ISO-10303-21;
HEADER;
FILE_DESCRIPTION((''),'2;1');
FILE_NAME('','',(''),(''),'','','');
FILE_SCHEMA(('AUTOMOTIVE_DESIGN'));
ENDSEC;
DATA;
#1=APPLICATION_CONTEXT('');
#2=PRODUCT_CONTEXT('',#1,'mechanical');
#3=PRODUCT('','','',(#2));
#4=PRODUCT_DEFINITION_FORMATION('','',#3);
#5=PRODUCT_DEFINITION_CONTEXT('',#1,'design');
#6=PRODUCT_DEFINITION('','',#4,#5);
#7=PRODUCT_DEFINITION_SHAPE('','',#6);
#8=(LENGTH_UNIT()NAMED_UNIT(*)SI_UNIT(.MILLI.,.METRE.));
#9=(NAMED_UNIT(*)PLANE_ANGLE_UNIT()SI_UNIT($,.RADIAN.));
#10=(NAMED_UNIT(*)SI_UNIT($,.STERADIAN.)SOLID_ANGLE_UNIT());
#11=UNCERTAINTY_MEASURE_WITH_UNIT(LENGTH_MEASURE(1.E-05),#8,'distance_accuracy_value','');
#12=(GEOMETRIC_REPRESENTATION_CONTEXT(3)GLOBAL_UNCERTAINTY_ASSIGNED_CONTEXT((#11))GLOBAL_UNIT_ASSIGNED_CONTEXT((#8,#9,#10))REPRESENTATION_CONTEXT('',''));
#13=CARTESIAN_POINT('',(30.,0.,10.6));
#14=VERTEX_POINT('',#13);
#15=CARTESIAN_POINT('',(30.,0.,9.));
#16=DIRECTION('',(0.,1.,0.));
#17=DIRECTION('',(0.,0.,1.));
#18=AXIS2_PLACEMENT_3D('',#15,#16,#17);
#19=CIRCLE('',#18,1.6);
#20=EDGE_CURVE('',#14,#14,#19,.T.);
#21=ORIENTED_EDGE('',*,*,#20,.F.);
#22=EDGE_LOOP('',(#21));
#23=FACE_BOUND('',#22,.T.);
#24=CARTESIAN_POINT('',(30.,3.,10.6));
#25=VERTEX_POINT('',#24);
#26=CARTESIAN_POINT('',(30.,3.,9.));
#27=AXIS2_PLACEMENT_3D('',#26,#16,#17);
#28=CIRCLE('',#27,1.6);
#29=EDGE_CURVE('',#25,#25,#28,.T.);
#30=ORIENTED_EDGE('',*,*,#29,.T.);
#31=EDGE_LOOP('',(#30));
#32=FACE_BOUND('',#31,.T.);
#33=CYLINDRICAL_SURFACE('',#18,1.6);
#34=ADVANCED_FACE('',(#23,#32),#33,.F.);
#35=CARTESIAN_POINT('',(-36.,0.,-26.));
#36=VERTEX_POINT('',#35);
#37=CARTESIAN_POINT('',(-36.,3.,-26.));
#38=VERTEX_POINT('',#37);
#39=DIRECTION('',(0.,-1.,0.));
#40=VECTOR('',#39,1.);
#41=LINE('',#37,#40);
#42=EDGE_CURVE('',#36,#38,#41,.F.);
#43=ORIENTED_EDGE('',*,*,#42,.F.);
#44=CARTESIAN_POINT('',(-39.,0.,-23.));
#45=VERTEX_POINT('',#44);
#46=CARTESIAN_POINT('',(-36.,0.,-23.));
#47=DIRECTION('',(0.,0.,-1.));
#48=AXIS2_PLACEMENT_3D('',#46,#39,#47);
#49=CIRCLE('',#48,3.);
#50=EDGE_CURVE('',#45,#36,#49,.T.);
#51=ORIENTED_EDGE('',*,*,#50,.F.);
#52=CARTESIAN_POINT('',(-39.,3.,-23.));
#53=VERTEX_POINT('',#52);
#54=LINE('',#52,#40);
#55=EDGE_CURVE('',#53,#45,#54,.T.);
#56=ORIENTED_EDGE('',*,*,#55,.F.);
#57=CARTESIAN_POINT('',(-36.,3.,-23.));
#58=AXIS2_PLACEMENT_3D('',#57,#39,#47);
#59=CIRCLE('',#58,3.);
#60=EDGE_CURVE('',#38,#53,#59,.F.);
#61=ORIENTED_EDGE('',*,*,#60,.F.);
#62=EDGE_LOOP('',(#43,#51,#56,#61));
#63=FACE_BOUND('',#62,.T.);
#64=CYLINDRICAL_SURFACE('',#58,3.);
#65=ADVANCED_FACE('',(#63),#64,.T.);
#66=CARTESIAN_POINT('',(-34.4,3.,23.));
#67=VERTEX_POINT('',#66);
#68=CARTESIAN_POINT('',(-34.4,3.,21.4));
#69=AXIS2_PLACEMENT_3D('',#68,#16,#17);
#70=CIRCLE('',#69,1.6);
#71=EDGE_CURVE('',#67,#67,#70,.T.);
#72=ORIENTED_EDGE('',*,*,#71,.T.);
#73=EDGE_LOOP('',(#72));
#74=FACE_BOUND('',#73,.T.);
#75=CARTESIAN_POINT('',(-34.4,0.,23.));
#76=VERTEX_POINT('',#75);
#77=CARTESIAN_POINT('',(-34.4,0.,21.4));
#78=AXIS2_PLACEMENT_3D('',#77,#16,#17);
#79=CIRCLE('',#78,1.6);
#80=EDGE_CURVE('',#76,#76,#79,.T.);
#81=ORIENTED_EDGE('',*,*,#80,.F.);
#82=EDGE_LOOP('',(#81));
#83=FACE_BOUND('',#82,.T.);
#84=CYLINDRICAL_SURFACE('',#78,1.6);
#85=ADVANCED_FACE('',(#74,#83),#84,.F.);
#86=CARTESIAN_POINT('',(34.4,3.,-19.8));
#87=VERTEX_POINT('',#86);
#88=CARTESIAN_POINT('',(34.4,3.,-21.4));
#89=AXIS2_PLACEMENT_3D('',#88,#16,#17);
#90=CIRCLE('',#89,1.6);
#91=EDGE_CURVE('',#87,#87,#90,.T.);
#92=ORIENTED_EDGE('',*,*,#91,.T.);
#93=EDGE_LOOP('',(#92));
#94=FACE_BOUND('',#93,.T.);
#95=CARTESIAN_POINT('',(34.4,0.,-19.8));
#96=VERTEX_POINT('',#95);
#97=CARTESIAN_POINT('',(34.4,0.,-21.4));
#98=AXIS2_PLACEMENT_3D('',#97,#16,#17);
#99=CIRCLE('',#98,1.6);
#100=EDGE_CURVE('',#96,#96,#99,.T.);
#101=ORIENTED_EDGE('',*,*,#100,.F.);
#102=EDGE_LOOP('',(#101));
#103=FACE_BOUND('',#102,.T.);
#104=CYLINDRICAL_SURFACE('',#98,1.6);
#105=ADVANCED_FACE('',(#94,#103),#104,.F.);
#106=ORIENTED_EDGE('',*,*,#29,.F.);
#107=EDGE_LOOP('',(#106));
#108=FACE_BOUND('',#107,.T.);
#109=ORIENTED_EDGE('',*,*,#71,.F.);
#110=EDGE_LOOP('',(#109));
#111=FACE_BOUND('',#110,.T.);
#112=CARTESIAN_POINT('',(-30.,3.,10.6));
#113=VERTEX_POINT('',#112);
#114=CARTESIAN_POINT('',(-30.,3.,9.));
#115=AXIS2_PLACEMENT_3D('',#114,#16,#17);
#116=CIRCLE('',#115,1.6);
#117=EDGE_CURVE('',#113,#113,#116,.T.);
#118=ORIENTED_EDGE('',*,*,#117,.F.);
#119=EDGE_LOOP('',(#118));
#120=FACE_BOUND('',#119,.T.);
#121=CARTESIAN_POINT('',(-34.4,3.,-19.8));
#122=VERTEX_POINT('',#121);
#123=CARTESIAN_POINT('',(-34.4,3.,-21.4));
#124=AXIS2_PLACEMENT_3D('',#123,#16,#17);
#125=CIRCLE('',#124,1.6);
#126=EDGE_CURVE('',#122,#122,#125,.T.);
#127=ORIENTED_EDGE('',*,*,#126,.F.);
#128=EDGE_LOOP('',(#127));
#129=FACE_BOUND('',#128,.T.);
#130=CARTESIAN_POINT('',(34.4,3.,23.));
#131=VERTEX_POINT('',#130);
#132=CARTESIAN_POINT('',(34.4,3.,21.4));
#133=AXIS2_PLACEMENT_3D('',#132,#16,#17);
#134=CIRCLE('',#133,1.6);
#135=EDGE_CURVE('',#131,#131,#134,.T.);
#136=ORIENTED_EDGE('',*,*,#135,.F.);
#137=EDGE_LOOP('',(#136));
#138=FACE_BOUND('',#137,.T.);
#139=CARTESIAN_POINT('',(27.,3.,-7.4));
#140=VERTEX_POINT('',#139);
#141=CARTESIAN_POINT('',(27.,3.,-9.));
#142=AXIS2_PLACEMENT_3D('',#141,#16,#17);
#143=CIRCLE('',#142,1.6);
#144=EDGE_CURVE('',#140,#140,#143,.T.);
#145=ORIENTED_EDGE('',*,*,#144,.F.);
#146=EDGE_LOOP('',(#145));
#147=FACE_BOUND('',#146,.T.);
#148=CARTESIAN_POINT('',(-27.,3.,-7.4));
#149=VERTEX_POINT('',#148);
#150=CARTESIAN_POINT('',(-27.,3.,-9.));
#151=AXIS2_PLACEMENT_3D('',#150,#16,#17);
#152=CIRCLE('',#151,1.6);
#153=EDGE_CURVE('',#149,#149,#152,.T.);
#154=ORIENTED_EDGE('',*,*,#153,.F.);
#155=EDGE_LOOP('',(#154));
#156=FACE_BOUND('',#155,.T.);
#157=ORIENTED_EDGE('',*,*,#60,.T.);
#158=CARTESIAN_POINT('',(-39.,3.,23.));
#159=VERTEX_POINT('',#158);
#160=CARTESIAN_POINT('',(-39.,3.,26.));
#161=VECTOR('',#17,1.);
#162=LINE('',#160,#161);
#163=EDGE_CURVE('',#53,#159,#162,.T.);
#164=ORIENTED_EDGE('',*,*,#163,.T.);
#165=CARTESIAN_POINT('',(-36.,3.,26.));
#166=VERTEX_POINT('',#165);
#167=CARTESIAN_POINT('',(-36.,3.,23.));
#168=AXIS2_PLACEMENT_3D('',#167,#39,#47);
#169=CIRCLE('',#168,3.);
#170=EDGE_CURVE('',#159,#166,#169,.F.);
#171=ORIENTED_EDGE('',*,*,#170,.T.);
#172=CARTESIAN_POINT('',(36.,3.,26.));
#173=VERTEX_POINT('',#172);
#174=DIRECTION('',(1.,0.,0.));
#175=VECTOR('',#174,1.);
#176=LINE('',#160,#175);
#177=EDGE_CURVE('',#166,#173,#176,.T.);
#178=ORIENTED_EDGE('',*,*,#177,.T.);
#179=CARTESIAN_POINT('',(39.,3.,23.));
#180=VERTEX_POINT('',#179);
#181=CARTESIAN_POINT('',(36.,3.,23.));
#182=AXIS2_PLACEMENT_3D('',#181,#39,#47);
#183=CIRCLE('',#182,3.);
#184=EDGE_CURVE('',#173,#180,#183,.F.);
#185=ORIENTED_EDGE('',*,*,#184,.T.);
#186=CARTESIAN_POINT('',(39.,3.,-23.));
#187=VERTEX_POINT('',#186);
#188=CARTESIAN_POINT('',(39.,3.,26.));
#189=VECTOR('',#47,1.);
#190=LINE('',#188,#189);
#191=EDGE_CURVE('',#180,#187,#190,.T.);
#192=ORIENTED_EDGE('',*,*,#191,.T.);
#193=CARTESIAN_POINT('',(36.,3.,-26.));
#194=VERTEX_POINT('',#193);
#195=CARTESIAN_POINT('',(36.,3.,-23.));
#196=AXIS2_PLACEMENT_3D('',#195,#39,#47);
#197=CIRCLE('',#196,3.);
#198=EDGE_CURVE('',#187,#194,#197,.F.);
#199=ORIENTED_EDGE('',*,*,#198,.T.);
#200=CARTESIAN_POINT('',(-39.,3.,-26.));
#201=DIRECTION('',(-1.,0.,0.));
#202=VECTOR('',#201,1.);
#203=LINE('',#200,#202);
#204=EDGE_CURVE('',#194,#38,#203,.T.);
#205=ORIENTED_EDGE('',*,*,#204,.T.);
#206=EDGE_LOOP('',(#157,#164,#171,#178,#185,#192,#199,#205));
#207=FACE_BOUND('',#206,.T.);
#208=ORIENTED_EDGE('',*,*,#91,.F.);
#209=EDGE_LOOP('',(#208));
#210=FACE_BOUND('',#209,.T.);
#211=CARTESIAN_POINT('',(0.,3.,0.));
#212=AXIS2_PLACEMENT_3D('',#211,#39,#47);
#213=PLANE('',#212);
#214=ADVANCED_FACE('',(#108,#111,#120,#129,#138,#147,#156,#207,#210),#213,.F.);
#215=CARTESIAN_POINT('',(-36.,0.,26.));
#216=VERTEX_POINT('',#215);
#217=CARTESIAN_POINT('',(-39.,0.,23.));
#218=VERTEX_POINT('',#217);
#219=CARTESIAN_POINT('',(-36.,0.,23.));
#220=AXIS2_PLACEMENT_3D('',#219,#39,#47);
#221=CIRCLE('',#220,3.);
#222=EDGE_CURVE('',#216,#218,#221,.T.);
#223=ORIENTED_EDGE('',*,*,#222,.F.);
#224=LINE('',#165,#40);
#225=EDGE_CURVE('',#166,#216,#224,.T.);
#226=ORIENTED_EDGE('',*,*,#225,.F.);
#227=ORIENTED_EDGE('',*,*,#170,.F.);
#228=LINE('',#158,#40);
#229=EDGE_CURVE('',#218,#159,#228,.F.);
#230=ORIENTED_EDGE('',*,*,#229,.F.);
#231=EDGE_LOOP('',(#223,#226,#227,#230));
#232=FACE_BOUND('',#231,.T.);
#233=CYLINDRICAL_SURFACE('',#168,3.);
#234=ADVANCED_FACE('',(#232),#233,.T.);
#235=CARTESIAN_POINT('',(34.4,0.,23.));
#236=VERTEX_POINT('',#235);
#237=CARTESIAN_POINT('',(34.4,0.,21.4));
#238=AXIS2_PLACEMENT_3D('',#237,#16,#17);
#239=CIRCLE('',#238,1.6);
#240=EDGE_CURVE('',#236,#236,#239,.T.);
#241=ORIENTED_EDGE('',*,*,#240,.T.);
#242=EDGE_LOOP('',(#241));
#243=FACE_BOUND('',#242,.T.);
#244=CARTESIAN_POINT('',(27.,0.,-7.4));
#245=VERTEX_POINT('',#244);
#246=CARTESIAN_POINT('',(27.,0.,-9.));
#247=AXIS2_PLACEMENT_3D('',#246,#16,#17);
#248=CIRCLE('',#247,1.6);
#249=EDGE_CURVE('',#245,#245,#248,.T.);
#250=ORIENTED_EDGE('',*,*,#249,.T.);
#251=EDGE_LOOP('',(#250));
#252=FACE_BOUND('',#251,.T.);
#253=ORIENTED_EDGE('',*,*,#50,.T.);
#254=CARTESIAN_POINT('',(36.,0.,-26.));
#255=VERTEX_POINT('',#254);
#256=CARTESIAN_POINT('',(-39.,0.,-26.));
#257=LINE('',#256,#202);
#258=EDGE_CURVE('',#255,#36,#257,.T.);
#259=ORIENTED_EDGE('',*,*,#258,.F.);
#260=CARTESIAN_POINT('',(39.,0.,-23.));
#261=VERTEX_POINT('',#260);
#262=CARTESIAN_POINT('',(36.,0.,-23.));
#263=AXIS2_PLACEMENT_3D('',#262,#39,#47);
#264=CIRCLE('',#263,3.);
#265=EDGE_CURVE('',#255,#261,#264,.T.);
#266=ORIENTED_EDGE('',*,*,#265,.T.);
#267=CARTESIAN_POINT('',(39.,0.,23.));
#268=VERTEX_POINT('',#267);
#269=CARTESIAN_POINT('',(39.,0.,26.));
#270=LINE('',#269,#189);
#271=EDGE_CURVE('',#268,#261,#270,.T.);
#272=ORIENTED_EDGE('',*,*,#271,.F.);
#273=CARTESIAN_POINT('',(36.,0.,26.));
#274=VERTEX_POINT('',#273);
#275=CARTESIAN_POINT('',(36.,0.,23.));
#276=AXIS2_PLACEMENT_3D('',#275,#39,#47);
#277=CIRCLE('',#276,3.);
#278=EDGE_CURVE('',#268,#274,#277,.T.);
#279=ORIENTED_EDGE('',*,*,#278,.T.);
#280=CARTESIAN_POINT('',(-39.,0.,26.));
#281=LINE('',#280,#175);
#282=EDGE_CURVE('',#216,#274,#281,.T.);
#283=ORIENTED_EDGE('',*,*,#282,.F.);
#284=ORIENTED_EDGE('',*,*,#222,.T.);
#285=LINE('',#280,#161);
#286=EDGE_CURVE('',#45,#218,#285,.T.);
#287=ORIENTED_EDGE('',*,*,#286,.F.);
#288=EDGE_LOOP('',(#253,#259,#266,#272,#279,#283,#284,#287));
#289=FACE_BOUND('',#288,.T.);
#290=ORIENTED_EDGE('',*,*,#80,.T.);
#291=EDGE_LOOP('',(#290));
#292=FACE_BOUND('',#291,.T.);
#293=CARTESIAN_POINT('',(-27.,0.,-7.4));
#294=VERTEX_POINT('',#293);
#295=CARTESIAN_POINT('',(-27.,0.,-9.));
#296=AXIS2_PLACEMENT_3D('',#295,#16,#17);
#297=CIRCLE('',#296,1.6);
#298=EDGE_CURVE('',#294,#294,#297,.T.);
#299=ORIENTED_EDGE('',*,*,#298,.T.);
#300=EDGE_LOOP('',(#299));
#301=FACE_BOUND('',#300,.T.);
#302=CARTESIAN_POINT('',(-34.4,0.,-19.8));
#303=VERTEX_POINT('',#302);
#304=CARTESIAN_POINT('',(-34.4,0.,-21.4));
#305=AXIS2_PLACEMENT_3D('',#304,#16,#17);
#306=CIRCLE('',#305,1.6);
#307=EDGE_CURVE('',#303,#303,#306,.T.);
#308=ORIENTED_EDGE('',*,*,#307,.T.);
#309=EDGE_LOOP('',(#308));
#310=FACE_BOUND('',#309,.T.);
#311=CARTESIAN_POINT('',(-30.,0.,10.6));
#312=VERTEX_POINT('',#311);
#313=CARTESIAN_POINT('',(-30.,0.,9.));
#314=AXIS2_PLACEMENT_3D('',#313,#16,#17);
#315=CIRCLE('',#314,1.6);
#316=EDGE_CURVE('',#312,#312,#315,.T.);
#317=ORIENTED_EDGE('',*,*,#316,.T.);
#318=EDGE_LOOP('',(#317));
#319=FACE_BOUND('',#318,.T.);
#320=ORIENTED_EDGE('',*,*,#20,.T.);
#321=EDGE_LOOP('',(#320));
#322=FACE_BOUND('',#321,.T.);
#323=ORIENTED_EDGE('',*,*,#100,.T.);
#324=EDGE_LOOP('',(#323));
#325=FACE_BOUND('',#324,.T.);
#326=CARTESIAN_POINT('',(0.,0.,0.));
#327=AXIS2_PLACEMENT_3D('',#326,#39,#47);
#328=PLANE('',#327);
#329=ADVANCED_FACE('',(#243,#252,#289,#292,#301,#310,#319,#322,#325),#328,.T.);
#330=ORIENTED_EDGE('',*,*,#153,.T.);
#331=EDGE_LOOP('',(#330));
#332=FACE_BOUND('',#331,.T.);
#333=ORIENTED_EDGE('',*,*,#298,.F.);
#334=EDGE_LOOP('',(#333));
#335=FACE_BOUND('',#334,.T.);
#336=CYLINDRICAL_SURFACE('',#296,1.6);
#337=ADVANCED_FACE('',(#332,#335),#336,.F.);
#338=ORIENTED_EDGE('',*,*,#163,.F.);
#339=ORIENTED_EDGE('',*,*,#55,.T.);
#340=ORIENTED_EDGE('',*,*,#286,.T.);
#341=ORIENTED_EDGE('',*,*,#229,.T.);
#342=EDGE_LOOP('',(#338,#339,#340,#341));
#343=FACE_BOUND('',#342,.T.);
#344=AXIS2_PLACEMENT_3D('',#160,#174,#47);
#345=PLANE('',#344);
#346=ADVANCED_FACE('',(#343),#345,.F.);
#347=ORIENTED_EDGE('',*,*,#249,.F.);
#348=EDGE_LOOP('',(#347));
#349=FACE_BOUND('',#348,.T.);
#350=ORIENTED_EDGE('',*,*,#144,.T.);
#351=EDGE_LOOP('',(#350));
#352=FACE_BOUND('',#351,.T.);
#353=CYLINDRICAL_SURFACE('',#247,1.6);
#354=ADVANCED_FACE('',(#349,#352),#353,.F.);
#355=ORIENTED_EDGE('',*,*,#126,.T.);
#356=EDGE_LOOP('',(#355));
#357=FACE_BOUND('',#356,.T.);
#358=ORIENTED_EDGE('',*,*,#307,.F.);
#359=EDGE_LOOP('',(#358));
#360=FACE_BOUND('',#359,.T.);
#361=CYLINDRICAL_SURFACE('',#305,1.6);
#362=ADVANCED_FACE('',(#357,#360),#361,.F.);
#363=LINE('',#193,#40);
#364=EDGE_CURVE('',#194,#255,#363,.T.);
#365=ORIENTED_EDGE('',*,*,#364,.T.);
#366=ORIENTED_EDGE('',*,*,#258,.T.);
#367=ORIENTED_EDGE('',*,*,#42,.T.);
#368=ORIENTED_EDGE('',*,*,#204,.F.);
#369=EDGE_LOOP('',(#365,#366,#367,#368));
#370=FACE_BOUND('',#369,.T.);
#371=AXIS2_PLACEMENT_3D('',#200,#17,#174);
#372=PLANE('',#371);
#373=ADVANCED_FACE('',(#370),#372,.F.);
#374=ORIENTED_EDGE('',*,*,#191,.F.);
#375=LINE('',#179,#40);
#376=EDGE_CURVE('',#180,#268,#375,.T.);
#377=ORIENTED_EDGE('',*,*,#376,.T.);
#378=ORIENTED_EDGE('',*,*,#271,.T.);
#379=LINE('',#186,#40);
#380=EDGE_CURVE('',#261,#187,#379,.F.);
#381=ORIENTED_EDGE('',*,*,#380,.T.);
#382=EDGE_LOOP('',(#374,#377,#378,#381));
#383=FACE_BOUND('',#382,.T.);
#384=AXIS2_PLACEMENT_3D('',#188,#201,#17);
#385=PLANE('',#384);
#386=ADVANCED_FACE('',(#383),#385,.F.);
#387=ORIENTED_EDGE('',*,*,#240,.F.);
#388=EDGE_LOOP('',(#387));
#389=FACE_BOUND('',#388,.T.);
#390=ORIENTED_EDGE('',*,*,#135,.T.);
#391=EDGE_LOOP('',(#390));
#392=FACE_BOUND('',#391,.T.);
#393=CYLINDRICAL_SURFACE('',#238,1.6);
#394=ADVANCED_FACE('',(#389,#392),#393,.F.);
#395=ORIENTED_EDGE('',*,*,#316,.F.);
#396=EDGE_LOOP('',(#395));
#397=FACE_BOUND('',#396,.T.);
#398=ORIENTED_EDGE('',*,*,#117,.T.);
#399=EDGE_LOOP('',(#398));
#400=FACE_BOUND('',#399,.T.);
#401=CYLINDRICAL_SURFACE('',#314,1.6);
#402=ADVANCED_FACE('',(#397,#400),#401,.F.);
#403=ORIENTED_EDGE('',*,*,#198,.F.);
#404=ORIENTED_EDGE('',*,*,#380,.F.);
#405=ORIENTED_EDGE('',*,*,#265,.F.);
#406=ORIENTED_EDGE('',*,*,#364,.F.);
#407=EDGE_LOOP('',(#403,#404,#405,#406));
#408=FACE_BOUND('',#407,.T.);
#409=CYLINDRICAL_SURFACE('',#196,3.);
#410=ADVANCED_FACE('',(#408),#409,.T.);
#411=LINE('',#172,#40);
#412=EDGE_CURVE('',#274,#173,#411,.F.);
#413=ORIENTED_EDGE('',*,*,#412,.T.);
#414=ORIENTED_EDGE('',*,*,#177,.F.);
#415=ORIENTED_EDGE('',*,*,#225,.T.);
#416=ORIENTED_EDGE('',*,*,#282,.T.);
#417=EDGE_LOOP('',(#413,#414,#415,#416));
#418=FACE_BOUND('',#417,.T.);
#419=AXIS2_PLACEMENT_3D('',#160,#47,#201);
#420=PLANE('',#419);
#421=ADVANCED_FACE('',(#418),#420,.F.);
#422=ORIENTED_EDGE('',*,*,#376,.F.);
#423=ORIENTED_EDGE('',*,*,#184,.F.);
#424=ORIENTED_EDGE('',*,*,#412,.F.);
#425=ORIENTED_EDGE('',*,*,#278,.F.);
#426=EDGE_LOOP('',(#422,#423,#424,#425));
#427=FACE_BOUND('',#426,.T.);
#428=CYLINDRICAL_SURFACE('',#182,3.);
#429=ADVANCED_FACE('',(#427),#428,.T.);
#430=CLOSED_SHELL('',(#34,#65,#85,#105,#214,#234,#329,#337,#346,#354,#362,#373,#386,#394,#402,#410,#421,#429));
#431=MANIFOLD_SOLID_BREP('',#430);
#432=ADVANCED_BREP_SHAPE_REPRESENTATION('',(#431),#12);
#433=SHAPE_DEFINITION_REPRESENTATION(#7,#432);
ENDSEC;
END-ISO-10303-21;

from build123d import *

# Parameters (mm, degrees)
SKETCH_1_W          = 78
SKETCH_1_H          = 52
EXTRUDE_1_DEPTH     = 3
SKETCH_2_R          = 1.6
CUT_EXTRUDE_1_DEPTH = 3
SKETCH_7_R          = 1.6
CUT_EXTRUDE_2_DEPTH = 3
FILLET_1_R          = 3


with BuildPart() as part:
    # 草图1 → 凸台-拉伸1 (new body)
    with BuildSketch(Plane(origin=(0, 0, 0), x_dir=(1, 0, 0), z_dir=(0, 1, 0))):
        Rectangle(SKETCH_1_W, SKETCH_1_H)
    extrude(amount=EXTRUDE_1_DEPTH)

    # 草图2 → 切除-拉伸1 (cut)
    with BuildSketch(Plane(origin=(0, 3, 0), x_dir=(1, 0, 0), z_dir=(0, 1, 0))):
        with BuildLine():
            ThreePointArc((-32.8, 21.4), (-33.26862915, 22.53137085), (-34.4, 23))
            Line((-34.4, 23), (-34.4, 21.4))
            Line((-34.4, 21.4), (-36, 21.4))
            ThreePointArc((-36, 21.4), (-34.4, 19.8), (-32.8, 21.4))
        make_face()
        with BuildLine():
            Line((-34.4, 21.4), (-34.4, 23))
            ThreePointArc((-34.4, 23), (-35.53137085, 22.53137085), (-36, 21.4))
            Line((-36, 21.4), (-34.4, 21.4))
        make_face()
        with BuildLine():
            ThreePointArc((36, 21.4), (35.53137085, 22.53137085), (34.4, 23))
            Line((34.4, 23), (34.4, 21.4))
            Line((34.4, 21.4), (36, 21.4))
        make_face()
        with BuildLine():
            Line((34.4, 21.4), (34.4, 23))
            ThreePointArc((34.4, 23), (33.26862915, 20.26862915), (36, 21.4))
            Line((36, 21.4), (34.4, 21.4))
        make_face()
        with BuildLine():
            ThreePointArc((36, -21.4), (33.26862915, -20.26862915), (34.4, -23))
            Line((34.4, -23), (34.4, -21.4))
            Line((34.4, -21.4), (36, -21.4))
        make_face()
        with BuildLine():
            Line((34.4, -21.4), (34.4, -23))
            ThreePointArc((34.4, -23), (35.53137085, -22.53137085), (36, -21.4))
            Line((36, -21.4), (34.4, -21.4))
        make_face()
        with Locations(Location((-34.4, -21.4, 0), (0, 0, 270))):
            Circle(SKETCH_2_R)
    extrude(amount=-CUT_EXTRUDE_1_DEPTH, mode=Mode.SUBTRACT)

    # 草图7 → 切除-拉伸2 (cut)
    with BuildSketch(Plane(origin=(0, 3, 0), x_dir=(1, 0, 0), z_dir=(0, 1, 0))):
        with Locations(Location((-30, -9, 0), (0, 0, 270))):
            Circle(SKETCH_7_R)
        with Locations(Location((-27, 9, 0), (0, 0, 270))):
            Circle(SKETCH_7_R)
        with Locations(Location((27, 9, 0), (0, 0, 270))):
            Circle(SKETCH_7_R)
        with Locations(Location((30, -9, 0), (0, 0, 270))):
            Circle(SKETCH_7_R)
    extrude(amount=-CUT_EXTRUDE_2_DEPTH, mode=Mode.SUBTRACT)

    # 圆角1
    fillet_1_edges = [part.edges().sort_by_distance(p)[0] for p in [
        (39, 1.5, 26),
        (-39, 1.5, 26),
        (-39, 1.5, -26),
        (39, 1.5, -26),
    ]]
    fillet(fillet_1_edges, radius=FILLET_1_R)


solid = part.part
